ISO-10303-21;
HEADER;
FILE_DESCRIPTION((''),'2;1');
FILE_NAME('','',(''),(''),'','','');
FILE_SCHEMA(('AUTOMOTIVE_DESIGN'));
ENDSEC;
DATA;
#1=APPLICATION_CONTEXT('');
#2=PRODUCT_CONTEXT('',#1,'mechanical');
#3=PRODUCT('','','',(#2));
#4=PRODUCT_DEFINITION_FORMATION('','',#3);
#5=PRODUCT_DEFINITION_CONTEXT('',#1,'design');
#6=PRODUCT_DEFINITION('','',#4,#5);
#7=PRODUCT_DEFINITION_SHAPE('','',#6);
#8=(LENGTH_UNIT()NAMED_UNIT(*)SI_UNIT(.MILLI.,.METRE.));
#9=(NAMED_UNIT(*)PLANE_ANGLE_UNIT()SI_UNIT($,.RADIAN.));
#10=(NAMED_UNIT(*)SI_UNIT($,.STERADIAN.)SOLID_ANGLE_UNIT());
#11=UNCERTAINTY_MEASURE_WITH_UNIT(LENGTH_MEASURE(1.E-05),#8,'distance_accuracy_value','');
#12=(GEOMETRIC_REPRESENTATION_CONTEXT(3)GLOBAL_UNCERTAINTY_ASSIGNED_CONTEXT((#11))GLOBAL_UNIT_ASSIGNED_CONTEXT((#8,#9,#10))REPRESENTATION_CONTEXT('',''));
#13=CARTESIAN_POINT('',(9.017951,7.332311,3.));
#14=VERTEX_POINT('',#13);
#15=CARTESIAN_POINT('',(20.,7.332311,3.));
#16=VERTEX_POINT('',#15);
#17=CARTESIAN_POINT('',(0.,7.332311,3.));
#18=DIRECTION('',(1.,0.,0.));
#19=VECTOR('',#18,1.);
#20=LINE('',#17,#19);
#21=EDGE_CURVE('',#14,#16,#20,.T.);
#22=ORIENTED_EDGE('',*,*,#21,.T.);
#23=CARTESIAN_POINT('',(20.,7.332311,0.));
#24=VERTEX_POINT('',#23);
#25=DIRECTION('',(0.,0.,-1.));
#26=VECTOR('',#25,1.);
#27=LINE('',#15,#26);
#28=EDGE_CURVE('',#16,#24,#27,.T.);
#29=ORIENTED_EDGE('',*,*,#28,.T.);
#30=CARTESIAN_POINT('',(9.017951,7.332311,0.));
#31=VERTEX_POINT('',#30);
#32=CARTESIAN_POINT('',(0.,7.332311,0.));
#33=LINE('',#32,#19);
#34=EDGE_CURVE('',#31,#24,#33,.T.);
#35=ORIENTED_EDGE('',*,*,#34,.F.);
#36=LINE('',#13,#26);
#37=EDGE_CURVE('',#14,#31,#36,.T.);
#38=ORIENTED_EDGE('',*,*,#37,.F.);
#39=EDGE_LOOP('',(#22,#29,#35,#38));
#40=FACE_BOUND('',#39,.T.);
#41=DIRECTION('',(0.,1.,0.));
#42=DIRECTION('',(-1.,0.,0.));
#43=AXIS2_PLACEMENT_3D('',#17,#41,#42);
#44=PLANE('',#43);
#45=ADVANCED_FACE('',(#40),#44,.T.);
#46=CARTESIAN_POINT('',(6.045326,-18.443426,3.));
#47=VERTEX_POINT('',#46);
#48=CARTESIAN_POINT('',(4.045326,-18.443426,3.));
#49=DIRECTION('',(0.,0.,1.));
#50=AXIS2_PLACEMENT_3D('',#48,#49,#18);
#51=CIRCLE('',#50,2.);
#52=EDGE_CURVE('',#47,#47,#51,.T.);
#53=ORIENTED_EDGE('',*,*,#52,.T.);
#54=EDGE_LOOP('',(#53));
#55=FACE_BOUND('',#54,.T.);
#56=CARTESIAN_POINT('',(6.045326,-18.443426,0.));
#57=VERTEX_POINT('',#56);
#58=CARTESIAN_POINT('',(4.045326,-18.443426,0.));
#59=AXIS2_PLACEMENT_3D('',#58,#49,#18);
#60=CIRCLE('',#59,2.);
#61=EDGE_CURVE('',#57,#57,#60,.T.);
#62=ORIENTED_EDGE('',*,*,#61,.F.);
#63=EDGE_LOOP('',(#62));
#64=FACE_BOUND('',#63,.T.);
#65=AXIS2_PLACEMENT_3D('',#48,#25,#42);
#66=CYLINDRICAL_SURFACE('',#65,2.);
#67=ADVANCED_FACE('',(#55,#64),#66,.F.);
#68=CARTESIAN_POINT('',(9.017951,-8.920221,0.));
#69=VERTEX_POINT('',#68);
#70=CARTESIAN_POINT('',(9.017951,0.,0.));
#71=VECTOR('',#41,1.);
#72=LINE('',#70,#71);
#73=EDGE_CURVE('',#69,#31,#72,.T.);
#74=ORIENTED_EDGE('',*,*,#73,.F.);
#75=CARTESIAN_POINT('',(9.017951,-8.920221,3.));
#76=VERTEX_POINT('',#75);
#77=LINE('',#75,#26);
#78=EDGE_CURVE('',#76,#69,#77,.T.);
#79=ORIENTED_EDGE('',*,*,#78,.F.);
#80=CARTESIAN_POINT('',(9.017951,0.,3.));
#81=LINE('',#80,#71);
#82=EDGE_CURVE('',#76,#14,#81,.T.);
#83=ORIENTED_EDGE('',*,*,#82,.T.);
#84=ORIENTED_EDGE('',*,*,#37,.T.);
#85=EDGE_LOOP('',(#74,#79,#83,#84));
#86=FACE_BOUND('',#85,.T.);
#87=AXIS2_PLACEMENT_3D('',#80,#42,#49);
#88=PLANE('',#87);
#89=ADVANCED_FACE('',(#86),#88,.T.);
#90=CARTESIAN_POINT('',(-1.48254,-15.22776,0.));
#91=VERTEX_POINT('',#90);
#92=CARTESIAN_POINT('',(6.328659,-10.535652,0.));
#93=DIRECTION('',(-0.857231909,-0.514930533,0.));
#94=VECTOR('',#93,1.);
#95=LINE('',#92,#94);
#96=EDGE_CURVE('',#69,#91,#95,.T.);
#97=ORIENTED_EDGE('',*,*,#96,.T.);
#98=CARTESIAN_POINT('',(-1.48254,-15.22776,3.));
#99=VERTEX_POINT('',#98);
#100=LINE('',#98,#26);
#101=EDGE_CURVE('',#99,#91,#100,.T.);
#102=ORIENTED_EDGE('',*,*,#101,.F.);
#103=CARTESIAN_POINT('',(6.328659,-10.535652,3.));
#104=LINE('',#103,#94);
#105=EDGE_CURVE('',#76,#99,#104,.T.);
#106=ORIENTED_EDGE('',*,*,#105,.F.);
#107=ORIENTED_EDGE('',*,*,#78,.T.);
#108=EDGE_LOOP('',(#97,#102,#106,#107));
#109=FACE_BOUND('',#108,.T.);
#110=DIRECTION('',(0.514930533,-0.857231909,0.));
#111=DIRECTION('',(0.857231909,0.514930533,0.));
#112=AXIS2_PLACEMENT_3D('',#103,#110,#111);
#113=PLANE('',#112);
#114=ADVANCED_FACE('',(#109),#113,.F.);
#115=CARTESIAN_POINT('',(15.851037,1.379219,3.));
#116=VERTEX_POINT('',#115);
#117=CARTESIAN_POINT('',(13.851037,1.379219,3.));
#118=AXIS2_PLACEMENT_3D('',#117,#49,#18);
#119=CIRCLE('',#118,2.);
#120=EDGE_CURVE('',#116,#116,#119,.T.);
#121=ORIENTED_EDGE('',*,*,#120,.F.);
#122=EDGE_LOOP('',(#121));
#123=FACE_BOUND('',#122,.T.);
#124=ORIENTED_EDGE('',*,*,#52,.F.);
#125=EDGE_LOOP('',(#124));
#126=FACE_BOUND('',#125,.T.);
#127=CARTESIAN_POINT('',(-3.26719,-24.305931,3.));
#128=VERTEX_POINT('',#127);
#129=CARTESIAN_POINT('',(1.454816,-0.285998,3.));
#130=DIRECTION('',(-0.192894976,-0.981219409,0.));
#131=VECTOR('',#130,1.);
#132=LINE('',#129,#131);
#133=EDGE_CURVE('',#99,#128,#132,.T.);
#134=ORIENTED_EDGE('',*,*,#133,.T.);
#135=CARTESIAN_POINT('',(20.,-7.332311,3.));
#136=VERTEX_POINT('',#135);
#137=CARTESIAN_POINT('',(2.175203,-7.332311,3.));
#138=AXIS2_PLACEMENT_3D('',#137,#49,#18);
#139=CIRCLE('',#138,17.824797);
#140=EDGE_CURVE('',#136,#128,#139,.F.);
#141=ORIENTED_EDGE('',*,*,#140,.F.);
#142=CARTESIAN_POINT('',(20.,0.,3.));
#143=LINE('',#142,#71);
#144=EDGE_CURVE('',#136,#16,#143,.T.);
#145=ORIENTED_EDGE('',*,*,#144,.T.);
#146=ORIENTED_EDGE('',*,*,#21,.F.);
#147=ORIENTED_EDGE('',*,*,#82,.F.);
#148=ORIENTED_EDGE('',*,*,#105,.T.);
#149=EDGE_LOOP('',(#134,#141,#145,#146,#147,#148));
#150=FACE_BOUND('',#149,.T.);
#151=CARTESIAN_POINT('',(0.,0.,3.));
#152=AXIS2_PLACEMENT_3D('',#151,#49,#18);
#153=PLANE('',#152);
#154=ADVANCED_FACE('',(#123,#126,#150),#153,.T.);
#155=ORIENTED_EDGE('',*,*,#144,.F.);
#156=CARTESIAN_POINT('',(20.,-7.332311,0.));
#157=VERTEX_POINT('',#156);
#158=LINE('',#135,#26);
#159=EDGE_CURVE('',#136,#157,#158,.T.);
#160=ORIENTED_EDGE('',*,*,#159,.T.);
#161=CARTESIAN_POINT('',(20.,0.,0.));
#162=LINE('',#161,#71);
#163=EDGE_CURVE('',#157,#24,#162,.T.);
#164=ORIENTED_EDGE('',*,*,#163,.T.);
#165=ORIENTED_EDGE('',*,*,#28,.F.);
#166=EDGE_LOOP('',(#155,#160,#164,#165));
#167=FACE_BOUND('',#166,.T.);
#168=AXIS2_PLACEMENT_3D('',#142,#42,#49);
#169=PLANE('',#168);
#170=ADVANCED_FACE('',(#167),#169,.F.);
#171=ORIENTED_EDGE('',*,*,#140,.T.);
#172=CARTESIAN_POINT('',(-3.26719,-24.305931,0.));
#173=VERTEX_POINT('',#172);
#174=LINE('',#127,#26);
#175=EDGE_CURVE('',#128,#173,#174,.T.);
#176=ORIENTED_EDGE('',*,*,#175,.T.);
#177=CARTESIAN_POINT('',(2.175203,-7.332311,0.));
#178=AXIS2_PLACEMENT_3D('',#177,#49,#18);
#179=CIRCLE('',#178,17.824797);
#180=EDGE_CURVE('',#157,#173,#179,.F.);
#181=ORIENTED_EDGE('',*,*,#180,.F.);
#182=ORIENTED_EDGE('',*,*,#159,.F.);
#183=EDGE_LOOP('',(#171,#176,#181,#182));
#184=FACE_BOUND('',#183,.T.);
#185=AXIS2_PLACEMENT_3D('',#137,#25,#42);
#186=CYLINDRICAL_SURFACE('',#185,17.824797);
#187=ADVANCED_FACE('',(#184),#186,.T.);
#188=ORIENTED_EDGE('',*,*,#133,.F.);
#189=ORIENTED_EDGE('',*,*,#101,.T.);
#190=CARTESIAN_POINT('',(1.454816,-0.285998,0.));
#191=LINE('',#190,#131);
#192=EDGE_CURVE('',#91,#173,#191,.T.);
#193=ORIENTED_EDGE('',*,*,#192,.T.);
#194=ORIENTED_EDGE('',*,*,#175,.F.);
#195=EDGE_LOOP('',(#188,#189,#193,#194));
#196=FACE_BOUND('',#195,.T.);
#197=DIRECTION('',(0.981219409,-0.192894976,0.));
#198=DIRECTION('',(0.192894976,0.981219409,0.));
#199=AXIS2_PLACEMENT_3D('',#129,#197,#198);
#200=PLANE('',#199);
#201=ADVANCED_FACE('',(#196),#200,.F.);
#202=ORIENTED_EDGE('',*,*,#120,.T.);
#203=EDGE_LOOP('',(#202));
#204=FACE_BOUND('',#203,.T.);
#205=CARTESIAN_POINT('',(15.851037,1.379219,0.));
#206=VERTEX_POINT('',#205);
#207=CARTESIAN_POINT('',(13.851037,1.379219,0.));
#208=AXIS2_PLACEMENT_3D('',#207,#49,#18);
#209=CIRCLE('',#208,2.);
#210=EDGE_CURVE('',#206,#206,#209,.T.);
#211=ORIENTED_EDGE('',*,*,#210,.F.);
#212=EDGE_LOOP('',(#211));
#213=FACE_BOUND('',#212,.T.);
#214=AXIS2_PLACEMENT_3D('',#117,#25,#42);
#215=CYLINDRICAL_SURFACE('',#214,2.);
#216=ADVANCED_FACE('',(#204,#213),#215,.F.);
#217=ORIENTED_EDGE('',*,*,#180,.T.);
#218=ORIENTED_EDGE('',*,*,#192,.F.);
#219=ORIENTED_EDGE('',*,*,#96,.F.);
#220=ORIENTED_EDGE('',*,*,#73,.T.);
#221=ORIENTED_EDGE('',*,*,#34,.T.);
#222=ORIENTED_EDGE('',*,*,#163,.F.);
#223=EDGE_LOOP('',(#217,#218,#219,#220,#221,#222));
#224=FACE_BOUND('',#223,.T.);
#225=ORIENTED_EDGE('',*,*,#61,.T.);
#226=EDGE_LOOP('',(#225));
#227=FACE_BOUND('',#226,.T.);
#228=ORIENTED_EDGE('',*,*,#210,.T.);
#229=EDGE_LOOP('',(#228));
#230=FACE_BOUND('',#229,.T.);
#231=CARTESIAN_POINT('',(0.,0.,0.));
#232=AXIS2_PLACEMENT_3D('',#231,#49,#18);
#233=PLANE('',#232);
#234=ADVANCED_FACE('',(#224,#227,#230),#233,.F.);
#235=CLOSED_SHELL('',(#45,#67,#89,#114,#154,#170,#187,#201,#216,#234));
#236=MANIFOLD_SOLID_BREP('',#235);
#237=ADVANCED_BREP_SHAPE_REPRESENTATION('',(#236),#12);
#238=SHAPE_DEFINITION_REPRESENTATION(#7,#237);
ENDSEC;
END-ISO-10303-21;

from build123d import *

# Parameters (mm, degrees)
SKETCH2_R           = 2
BOSS_EXTRUDE1_DEPTH = 3


with BuildPart() as part:
    # Sketch2 → Boss-Extrude1 (new body)
    with BuildSketch(Plane(origin=(0, 0, 0), x_dir=(-1, 0, 0), z_dir=(0, 0, 1))):
        with BuildLine():
            Line((-9.017950721, -7.332311194), (-20, -7.332311194))
            Line((-20, -7.332311194), (-20, 7.332311194))
            ThreePointArc((-20, 7.332311194), (-12.680293068, 21.732536084), (3.26719031, 24.305930805))
            Line((3.26719031, 24.305930805), (1.482539955, 15.227759845))
            Line((1.482539955, 15.227759845), (-9.017950721, 8.920221357))
            Line((-9.017950721, 8.920221357), (-9.017950721, -7.332311194))
        make_face()
        with Locations(Location((-13.851036571, -1.379219301, 0), (0, 0, 180))):
            Circle(SKETCH2_R, mode=Mode.SUBTRACT)
        with Locations(Location((-4.045326452, 18.443425538, 0), (0, 0, 180))):
            Circle(SKETCH2_R, mode=Mode.SUBTRACT)
    extrude(amount=BOSS_EXTRUDE1_DEPTH)


solid = part.part
